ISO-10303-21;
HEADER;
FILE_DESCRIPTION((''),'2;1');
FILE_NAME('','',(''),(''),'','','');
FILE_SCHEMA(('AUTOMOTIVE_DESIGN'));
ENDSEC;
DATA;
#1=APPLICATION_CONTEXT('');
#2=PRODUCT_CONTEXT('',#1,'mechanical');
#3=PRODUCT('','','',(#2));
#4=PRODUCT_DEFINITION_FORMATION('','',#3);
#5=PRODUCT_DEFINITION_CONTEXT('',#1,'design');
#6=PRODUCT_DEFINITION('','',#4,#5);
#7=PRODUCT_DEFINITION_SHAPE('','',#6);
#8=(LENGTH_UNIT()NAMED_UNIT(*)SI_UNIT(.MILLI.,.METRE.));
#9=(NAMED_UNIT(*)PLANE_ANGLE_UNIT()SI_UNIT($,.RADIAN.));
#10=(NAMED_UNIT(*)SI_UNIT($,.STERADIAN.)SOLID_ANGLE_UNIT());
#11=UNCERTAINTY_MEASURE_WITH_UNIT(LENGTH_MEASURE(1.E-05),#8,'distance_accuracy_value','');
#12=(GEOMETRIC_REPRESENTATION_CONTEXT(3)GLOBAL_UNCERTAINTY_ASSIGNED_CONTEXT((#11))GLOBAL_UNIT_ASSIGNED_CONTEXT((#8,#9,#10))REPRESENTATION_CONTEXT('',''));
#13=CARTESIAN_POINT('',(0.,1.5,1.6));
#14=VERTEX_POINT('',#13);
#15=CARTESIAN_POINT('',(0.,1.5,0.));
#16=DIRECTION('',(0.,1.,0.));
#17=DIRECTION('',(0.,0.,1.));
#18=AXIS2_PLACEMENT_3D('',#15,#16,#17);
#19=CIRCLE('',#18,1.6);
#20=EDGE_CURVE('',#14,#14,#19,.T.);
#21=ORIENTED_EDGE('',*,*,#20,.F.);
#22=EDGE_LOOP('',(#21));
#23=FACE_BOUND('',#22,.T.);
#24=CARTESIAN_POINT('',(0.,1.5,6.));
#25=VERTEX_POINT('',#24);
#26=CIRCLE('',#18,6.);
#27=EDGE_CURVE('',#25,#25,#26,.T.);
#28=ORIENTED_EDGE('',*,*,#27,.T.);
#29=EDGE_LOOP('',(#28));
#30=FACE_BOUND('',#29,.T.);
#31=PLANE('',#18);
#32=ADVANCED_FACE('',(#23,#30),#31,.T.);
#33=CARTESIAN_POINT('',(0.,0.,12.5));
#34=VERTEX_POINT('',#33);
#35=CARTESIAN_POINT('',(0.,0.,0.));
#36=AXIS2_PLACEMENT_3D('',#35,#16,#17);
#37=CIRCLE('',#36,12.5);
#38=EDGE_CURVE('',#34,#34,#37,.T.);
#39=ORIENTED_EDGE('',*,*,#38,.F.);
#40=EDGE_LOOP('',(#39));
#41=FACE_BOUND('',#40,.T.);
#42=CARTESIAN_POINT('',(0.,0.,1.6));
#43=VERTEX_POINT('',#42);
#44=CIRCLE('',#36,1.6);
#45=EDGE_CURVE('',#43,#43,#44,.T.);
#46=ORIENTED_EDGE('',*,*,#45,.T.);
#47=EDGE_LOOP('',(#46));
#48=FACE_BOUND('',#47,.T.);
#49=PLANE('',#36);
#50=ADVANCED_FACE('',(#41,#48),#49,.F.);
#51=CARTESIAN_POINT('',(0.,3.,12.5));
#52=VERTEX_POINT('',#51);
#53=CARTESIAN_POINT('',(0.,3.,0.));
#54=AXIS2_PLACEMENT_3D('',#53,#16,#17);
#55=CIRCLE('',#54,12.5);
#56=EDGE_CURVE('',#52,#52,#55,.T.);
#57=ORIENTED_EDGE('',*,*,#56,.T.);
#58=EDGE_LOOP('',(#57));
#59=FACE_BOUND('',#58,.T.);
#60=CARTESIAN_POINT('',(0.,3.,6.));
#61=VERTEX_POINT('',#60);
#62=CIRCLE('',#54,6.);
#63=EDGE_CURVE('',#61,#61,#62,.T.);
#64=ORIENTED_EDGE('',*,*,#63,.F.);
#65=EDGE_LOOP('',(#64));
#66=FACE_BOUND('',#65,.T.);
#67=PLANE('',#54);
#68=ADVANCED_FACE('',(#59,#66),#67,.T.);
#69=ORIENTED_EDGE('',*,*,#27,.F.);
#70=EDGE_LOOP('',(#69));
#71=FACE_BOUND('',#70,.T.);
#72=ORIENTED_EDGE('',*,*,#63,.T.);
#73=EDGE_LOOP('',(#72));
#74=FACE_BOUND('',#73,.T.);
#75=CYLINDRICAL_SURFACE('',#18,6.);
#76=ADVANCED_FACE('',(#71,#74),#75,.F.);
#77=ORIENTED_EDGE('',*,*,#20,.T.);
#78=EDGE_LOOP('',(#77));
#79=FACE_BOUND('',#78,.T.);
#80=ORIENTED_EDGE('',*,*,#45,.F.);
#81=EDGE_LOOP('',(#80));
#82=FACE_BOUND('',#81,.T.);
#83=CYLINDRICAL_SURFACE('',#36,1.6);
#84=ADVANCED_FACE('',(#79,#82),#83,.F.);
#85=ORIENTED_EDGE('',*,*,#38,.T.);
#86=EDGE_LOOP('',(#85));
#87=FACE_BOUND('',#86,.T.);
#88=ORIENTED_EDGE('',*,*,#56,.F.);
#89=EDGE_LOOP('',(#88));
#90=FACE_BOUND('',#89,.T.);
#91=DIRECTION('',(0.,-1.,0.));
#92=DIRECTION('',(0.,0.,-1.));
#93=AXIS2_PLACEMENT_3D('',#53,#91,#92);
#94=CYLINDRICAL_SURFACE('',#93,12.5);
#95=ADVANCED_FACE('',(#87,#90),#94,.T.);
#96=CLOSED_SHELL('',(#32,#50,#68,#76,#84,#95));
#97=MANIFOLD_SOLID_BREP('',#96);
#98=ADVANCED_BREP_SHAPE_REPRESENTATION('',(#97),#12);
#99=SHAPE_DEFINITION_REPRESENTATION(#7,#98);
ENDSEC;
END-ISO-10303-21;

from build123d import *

# Parameters (mm, degrees)
SKETCH_1_R          = 12.5
EXTRUDE_1_DEPTH     = 3
SKETCH_2_R          = 6
CUT_EXTRUDE_1_DEPTH = 1.5
SKETCH_3_R          = 1.6
CUT_EXTRUDE_2_DEPTH = 18.741194999


with BuildPart() as part:
    # 草图1 → 凸台-拉伸1 (new body)
    with BuildSketch(Plane(origin=(0, 0, 0), x_dir=(1, 0, 0), z_dir=(0, 1, 0))):
        with Locations(Location((0, 0, 0), (0, 0, 270))):
            Circle(SKETCH_1_R)
    extrude(amount=EXTRUDE_1_DEPTH)

    # 草图2 → 切除-拉伸1 (cut)
    with BuildSketch(Plane(origin=(0, 3, 0), x_dir=(1, 0, 0), z_dir=(0, 1, 0))):
        with Locations(Location((0, 0, 0), (0, 0, 270))):
            Circle(SKETCH_2_R)
    extrude(amount=-CUT_EXTRUDE_1_DEPTH, mode=Mode.SUBTRACT)

    # 草图3 → 切除-拉伸2 (cut, through all)
    with BuildSketch(Plane(origin=(0, 1.5, 0), x_dir=(1, 0, 0), z_dir=(0, 1, 0))):
        with Locations(Location((0, 0, 0), (0, 0, 270))):
            Circle(SKETCH_3_R)
    extrude(amount=-CUT_EXTRUDE_2_DEPTH, mode=Mode.SUBTRACT)


solid = part.part
